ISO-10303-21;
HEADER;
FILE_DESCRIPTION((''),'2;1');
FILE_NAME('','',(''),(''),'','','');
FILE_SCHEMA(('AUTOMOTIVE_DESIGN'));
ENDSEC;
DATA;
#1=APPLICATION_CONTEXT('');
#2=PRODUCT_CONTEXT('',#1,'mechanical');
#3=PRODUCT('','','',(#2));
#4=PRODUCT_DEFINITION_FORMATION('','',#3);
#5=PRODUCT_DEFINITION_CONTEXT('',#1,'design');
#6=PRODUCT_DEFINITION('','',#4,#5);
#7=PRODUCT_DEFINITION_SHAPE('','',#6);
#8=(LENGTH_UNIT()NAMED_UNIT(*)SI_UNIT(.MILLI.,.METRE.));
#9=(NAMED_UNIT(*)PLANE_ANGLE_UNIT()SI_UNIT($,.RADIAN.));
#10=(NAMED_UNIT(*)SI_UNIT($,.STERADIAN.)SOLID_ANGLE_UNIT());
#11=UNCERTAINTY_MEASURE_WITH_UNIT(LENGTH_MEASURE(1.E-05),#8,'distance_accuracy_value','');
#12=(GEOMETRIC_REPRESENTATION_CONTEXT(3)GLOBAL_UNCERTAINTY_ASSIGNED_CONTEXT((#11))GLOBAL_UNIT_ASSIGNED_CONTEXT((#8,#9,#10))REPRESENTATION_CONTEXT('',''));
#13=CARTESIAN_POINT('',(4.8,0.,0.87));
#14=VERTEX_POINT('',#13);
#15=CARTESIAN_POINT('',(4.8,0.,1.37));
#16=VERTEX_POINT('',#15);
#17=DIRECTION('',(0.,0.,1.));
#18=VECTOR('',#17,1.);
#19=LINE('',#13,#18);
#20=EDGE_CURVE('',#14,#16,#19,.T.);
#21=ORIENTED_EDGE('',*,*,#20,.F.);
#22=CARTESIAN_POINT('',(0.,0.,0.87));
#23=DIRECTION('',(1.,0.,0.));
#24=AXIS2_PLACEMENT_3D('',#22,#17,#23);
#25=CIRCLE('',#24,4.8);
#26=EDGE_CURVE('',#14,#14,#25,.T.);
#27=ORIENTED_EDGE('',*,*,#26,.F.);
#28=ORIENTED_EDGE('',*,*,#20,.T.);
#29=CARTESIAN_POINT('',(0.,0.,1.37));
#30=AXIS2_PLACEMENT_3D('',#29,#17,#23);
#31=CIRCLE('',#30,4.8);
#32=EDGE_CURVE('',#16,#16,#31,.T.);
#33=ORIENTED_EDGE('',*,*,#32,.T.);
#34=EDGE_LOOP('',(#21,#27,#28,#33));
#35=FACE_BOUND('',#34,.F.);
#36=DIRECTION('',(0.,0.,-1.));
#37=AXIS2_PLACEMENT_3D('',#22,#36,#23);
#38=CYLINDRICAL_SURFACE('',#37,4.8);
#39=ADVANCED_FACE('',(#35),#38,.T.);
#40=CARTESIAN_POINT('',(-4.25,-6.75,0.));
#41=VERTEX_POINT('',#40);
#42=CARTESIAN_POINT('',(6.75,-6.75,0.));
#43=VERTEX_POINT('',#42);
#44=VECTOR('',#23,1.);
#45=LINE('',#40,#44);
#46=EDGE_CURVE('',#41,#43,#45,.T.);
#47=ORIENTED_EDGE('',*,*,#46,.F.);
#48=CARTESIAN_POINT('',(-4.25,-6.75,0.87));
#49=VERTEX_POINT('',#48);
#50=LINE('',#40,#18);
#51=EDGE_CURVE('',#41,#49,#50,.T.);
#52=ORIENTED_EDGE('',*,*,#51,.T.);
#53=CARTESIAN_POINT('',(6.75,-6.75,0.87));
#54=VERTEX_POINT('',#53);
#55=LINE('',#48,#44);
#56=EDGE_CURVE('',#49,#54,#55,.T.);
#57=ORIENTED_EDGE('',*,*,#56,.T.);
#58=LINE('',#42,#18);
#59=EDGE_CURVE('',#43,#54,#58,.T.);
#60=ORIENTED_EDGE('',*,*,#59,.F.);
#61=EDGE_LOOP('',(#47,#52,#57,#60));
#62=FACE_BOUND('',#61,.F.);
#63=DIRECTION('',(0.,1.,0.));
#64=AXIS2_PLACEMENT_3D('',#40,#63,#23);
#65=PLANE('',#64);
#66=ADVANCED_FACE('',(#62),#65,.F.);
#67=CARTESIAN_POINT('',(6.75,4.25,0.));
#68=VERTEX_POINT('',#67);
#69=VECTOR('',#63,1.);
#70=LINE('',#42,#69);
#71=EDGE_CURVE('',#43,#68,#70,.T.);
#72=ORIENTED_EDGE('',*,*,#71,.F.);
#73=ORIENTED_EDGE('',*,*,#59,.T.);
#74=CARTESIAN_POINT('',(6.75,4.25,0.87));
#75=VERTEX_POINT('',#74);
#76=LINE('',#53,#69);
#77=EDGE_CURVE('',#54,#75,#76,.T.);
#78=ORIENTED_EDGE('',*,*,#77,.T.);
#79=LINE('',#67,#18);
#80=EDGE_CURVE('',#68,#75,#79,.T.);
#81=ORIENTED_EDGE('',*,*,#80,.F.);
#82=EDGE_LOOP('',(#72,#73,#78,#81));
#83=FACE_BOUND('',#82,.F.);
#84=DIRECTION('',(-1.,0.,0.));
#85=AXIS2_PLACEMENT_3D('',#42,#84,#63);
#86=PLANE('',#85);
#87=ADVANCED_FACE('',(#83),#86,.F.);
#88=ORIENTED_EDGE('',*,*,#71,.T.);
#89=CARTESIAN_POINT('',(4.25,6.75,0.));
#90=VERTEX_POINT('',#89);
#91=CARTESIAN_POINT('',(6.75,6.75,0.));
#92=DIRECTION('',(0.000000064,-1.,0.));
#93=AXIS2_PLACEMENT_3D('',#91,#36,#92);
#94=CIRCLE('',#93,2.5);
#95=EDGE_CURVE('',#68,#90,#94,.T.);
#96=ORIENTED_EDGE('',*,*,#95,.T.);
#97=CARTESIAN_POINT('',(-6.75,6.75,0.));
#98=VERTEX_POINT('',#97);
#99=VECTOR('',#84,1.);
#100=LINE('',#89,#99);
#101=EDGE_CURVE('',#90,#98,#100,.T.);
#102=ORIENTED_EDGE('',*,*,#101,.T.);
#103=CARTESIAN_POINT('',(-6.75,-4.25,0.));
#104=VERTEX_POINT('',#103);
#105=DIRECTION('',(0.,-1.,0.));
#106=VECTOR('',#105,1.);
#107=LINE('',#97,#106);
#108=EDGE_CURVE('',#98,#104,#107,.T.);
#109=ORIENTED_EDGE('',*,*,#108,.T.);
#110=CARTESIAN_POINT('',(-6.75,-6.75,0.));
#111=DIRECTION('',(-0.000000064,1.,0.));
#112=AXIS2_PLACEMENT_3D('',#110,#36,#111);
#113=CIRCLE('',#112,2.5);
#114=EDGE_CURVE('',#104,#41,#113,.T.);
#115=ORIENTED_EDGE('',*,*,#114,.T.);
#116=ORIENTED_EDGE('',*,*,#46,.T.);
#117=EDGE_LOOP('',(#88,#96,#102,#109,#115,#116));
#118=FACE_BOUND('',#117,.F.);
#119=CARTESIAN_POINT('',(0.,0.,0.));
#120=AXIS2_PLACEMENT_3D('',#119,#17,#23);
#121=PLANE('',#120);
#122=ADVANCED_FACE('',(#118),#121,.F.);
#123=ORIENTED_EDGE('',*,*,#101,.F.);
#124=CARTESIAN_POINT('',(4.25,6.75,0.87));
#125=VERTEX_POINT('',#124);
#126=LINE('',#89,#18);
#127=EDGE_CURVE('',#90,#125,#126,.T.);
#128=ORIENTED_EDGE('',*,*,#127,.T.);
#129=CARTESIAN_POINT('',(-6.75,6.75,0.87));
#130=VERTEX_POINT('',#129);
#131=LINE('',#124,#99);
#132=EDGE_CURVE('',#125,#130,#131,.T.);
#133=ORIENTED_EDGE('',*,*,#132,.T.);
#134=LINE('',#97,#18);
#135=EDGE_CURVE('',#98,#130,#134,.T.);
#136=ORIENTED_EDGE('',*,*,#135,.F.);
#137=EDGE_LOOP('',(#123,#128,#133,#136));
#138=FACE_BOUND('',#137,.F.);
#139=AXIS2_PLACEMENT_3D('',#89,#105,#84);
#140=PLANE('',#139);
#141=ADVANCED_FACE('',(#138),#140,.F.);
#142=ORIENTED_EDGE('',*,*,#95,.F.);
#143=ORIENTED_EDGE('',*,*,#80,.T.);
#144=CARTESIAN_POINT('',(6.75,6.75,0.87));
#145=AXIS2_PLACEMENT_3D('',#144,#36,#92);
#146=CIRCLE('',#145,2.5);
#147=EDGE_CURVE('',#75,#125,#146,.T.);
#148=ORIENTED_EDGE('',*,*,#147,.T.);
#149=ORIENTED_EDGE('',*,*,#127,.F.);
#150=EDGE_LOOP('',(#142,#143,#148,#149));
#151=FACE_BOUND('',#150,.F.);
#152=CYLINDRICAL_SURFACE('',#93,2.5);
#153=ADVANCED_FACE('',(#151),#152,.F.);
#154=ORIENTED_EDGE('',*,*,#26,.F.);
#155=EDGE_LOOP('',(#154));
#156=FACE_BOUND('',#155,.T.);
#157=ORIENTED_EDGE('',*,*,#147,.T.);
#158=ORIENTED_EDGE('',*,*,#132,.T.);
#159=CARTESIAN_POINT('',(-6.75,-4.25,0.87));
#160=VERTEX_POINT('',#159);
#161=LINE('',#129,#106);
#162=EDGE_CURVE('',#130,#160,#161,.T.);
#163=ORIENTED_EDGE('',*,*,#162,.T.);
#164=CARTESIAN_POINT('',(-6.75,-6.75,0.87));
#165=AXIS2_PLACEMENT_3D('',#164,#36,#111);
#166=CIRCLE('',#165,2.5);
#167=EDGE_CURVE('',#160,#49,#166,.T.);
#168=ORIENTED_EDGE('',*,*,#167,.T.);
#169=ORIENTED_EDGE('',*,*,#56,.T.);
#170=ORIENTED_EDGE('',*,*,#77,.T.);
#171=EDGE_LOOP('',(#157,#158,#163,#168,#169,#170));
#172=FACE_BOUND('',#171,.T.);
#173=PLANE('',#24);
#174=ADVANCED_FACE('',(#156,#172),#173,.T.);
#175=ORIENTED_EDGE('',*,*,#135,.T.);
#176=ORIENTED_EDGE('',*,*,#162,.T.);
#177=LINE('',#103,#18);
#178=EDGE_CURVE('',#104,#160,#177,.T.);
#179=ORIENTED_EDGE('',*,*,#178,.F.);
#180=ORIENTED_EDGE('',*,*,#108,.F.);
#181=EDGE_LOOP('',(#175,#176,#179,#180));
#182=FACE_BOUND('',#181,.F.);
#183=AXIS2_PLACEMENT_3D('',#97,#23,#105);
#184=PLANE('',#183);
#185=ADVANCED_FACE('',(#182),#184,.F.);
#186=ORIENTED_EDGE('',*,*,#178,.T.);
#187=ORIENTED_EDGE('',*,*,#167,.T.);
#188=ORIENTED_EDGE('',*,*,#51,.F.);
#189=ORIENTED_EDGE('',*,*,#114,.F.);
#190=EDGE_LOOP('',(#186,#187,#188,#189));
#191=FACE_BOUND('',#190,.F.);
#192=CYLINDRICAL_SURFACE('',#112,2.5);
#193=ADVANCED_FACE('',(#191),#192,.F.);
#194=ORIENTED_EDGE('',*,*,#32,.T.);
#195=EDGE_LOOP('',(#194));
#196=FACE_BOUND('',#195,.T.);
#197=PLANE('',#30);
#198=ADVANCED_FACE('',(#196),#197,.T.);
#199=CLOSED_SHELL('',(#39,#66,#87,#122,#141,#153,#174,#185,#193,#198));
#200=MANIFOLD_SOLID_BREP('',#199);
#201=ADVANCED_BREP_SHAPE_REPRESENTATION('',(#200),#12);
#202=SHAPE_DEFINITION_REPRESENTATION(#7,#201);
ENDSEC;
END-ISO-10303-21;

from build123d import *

# Parameters (mm, degrees)
F1_DEPTH = 0.87
F2_R     = 4.8
F3_DEPTH = 0.5


with BuildPart() as f1:
    # F0 (on Top) → F1 (new body)
    with BuildSketch(Plane.XY):
        with BuildLine():
            Line((-4.25, -6.75), (6.75, -6.75))
            Line((6.75, -6.75), (6.75, 4.25))
            ThreePointArc((6.75, 4.25), (4.982233, 4.982233), (4.25, 6.75))
            Line((4.25, 6.75), (-6.75, 6.75))
            Line((-6.75, 6.75), (-6.75, -4.25))
            ThreePointArc((-6.75, -4.25), (-4.982233, -4.982233), (-4.25, -6.75))
        make_face()
    extrude(amount=F1_DEPTH)

    # F2 (on face) → F3 (join)
    with BuildSketch(Plane.XY.offset(0.87)):
        Circle(F2_R)
    extrude(amount=F3_DEPTH)


solid = f1.part
